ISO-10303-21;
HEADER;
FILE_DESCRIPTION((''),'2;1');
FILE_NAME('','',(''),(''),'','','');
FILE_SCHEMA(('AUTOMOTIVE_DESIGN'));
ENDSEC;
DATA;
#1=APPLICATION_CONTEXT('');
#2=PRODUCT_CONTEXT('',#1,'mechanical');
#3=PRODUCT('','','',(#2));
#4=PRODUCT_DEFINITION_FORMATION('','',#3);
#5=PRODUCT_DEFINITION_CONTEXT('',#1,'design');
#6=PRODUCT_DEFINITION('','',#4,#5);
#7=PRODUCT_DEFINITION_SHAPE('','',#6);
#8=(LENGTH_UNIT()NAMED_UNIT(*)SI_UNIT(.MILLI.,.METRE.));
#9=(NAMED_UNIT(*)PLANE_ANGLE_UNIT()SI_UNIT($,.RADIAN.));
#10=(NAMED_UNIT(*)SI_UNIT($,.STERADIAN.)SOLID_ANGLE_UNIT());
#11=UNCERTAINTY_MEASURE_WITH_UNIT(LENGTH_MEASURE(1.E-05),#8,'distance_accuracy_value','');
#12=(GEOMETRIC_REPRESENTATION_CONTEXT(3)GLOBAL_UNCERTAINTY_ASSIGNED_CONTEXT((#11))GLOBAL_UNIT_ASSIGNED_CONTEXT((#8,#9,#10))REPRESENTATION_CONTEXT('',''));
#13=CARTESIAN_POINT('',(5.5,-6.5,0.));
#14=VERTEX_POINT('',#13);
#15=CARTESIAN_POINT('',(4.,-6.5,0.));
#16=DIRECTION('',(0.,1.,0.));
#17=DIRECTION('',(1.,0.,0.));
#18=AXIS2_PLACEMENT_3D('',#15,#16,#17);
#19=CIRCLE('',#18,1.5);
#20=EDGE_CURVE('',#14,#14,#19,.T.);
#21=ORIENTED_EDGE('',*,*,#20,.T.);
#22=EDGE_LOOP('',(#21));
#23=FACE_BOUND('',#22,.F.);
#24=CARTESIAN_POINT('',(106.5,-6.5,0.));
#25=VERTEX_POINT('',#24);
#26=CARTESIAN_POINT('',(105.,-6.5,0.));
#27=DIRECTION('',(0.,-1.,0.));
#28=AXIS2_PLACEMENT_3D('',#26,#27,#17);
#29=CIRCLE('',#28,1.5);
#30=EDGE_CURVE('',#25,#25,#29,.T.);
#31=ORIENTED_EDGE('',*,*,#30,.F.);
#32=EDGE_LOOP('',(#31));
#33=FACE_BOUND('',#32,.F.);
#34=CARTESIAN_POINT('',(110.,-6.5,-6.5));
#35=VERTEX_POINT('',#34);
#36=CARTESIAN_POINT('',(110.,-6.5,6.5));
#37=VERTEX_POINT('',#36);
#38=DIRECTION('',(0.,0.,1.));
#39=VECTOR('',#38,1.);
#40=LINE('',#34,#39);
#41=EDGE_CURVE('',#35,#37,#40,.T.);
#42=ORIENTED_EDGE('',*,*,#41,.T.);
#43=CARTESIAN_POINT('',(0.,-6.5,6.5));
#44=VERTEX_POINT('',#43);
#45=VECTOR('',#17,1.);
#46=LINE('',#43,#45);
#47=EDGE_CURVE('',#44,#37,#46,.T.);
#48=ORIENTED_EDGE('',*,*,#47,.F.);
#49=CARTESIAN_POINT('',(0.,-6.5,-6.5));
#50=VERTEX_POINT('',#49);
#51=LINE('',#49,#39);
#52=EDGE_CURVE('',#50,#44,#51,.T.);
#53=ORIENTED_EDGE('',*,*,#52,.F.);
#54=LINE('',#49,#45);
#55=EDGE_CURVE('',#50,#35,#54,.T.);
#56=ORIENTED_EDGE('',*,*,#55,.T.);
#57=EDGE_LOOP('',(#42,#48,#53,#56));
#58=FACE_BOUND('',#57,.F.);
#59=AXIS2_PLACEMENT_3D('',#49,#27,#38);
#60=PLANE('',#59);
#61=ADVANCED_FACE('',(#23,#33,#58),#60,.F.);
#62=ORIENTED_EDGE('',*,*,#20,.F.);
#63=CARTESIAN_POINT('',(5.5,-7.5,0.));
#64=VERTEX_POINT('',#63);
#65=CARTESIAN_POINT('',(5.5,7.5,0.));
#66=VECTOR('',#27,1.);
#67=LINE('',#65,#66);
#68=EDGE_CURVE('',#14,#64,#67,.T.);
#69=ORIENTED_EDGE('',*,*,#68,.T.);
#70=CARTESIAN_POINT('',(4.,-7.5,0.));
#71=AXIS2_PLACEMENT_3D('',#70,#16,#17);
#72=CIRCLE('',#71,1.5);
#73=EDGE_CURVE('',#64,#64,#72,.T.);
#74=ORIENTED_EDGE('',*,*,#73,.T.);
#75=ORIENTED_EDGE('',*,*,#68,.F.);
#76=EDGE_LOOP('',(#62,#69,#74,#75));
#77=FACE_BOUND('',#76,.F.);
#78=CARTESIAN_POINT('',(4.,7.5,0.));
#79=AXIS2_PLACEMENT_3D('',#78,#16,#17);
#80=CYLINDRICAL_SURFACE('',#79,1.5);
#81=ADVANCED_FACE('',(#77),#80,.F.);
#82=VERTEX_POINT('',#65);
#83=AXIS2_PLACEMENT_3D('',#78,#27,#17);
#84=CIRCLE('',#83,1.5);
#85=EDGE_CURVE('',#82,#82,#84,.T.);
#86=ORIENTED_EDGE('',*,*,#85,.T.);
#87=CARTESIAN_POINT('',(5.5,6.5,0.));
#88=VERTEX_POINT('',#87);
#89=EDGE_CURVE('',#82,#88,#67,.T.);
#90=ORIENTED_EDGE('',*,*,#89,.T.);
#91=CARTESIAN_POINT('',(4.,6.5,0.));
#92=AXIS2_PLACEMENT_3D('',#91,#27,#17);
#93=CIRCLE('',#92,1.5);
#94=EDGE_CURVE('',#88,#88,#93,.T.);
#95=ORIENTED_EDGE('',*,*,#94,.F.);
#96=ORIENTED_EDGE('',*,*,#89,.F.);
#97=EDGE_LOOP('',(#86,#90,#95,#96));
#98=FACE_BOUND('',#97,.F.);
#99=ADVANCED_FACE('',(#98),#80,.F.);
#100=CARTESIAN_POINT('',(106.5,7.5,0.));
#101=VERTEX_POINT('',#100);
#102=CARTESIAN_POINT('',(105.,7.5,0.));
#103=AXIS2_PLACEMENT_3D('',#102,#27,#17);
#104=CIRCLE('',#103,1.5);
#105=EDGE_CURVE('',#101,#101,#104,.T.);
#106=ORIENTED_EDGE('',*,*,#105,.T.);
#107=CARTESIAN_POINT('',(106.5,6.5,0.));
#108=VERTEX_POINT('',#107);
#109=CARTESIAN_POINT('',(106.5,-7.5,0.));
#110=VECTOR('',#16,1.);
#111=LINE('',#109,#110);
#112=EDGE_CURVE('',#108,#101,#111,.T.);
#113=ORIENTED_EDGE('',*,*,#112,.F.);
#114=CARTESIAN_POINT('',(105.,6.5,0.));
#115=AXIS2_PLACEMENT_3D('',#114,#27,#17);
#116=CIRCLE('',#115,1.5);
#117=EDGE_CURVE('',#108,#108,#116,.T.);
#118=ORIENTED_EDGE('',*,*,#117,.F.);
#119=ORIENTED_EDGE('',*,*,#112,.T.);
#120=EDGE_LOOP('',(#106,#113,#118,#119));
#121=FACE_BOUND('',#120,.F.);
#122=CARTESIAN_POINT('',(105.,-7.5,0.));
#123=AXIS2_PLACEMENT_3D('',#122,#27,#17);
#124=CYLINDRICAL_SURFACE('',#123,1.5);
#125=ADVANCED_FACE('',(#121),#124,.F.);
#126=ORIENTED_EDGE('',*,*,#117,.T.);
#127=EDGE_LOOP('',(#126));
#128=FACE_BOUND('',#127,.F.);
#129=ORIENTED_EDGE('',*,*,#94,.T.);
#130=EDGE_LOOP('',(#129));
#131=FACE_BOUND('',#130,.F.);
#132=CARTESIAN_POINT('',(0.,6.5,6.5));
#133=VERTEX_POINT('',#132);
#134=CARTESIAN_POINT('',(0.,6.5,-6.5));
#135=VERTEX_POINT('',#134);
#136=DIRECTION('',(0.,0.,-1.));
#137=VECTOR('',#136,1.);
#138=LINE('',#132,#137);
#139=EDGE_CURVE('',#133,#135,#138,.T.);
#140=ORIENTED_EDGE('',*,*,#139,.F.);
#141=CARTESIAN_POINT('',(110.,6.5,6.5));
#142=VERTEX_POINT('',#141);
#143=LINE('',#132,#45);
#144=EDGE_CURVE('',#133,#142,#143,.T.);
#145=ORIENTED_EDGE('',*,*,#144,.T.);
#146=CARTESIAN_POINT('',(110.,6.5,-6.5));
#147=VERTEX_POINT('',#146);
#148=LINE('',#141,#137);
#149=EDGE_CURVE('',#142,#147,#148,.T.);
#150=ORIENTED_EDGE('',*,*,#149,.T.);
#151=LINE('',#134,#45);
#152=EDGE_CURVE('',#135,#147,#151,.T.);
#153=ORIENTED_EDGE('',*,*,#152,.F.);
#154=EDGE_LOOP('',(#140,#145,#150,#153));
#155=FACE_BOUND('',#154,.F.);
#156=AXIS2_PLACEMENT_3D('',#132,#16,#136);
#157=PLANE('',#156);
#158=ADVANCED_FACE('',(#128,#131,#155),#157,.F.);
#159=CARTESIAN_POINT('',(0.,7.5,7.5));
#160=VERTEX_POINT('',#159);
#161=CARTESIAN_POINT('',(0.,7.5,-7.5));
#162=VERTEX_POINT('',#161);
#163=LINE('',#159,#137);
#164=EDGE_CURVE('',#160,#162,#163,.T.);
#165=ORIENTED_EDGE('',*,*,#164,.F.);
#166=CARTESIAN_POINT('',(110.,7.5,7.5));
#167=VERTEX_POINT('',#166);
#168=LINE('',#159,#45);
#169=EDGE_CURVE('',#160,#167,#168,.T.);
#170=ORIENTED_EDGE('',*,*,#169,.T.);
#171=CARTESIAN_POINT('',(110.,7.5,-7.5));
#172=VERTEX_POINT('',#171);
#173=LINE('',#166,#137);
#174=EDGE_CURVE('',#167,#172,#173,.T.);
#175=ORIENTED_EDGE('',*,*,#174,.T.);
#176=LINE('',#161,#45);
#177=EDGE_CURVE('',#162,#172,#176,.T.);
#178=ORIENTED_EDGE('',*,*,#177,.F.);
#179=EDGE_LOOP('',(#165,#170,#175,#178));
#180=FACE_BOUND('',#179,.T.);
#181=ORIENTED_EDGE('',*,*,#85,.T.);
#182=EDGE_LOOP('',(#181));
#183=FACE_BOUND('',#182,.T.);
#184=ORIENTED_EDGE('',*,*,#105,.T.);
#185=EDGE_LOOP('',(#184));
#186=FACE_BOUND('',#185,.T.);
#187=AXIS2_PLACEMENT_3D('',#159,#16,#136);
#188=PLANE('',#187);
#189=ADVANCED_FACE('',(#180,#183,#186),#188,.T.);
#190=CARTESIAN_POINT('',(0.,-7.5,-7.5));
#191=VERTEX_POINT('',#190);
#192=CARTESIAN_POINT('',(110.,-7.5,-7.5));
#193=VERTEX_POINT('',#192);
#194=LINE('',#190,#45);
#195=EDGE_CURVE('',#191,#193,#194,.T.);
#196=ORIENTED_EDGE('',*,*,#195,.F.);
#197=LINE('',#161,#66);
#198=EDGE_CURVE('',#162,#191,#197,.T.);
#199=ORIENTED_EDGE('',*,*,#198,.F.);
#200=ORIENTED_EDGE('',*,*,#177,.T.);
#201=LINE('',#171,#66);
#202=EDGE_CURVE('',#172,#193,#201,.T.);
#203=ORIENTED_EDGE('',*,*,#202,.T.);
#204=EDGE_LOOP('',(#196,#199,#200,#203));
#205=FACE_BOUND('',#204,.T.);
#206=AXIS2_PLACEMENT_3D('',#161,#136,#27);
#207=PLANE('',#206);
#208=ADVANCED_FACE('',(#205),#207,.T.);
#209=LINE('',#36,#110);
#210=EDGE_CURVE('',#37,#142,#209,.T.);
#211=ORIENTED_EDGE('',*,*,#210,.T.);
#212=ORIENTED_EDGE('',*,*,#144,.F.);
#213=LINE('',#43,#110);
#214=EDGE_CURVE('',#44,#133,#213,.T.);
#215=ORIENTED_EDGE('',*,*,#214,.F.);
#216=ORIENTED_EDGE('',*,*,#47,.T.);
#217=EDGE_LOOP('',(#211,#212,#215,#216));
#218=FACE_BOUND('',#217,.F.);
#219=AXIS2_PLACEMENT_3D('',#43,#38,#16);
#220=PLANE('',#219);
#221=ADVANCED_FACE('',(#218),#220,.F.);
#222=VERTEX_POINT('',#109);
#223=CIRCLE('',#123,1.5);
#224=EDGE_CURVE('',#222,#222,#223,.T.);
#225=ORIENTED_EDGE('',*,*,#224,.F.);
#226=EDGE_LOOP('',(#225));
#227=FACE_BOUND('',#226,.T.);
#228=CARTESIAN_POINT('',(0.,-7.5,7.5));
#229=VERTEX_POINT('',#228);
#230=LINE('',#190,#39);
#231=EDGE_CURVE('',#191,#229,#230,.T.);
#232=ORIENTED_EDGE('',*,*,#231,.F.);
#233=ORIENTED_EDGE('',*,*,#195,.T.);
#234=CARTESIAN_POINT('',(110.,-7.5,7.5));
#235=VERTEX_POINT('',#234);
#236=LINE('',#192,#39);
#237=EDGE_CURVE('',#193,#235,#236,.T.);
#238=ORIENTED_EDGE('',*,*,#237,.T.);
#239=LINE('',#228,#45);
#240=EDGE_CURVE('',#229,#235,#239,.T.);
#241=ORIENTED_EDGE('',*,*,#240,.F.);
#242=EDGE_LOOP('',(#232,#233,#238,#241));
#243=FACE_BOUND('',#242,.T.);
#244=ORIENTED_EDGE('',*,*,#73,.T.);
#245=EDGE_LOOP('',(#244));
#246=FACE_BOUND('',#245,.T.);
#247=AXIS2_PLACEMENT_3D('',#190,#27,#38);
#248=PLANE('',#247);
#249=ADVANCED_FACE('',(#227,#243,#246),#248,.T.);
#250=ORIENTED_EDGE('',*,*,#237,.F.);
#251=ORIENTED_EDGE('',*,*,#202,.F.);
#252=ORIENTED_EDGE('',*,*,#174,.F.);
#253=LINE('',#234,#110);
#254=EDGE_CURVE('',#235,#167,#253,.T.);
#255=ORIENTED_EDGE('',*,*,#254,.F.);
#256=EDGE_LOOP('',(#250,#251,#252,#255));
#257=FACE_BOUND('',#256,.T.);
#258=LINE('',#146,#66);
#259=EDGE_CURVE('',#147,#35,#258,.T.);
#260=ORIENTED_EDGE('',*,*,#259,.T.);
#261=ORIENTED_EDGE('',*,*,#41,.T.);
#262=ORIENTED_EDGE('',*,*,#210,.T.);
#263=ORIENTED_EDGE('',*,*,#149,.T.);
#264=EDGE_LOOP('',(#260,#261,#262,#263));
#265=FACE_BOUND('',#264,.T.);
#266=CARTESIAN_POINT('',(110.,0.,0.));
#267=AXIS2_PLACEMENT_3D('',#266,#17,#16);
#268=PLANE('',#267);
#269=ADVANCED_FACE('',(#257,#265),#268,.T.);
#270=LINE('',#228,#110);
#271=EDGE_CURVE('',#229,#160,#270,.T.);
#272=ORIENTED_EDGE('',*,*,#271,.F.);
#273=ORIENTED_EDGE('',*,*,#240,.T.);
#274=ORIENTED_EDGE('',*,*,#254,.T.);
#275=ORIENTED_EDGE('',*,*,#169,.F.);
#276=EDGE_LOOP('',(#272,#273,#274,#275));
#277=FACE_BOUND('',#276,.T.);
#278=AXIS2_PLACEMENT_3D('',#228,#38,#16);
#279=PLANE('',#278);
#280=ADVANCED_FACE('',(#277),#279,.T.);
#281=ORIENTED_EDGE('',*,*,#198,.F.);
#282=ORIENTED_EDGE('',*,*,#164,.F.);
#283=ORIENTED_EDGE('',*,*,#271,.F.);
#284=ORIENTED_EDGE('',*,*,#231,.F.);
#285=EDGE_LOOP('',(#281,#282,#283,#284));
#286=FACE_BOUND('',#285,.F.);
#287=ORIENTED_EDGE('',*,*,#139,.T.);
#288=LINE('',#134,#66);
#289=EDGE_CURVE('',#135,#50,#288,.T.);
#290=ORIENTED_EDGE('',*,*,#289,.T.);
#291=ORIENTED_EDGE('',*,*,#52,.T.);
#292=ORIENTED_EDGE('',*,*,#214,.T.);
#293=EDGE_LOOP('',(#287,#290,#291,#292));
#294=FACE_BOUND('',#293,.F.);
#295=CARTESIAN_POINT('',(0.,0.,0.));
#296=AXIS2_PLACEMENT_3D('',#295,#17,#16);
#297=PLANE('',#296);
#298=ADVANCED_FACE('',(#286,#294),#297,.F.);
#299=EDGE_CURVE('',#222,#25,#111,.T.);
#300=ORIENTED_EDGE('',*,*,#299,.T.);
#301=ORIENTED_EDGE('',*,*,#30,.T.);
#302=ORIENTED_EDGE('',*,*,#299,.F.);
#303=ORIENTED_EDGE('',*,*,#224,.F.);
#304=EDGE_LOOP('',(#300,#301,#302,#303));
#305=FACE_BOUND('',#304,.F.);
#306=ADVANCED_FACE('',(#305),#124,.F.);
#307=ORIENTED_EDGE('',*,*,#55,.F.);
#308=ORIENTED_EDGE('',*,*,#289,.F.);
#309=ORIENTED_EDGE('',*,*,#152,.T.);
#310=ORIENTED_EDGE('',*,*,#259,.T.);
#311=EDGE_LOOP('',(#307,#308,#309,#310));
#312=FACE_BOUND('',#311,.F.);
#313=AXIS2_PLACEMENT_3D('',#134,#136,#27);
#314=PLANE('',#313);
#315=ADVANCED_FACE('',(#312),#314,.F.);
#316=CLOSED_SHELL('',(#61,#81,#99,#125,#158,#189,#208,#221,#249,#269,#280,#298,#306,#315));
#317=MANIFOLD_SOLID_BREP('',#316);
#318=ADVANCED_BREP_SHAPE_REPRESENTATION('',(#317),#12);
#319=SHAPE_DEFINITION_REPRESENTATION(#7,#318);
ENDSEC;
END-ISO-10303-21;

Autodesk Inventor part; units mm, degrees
ref_plane "YZ Plane" through (0, 0, 0) normal (1, 0, 0) x (0, 1, 0)
ref_plane "XZ Plane" through (0, 0, 0) normal (0, 1, 0) x (-1, 0, 0)
ref_plane "XY Plane" through (0, 0, 0) normal (0, 0, 1) x (1, 0, 0)
sketch "Sketch1" plane through (0, 0, 0) normal (1, 0, 0) x (0, 1, 0)
  line L0 (-7.5, 7.5) -> (7.5, 7.5)
  line L1 (7.5, 7.5) -> (7.5, -7.5)
  line L2 (7.5, -7.5) -> (-7.5, -7.5)
  line L3 (-7.5, -7.5) -> (-7.5, 7.5)
  line L4 (-7.5, 7.5) -> (7.5, -7.5) construction
  line L5 (7.5, 7.5) -> (-7.5, -7.5) construction
  line L6 (-6.5, 6.5) -> (6.5, 6.5)
  line L7 (6.5, 6.5) -> (6.5, -6.5)
  line L8 (6.5, -6.5) -> (-6.5, -6.5)
  line L9 (-6.5, -6.5) -> (-6.5, 6.5)
  line L10 (-6.5, 6.5) -> (6.5, -6.5) construction
  line L11 (6.5, 6.5) -> (-6.5, -6.5) construction
  point P0 (0, 0)
  dimension "d0" = 15
  dimension "d1" = 15
  dimension "d2" = 13
  dimension "d3" = 13
extrude "Extrusion1" add sketch "Sketch1" along normal blind 110
sketch "Sketch2" plane through (0, 7.5, 7.5) normal (0, 1, 0) x (1, 0, 0)
  line L0 (0, 7.5) -> (4, 7.5)
  circle A0 centre (4, 7.5) radius 1.5
  dimension "d6" = 4
  dimension "d7" = 3
extrude "Extrusion2" cut sketch "Sketch2" against normal through all
sketch "Sketch3" plane through (0, -7.5, -7.5) normal (0, -1, 0) x (1, 0, 0)
  line L0 (110, 1) -> (110, 14) projected
  line L1 (110, 7.5) -> (105, 7.5)
  circle A0 centre (105, 7.5) radius 1.5
  point P0 (0, 7.5)
  dimension "d10" = 5
  dimension "d11" = 3
extrude "Extrusion3" cut sketch "Sketch3" against normal through all
properties part number "front_arm_rect" material "Aluminum 6061"
